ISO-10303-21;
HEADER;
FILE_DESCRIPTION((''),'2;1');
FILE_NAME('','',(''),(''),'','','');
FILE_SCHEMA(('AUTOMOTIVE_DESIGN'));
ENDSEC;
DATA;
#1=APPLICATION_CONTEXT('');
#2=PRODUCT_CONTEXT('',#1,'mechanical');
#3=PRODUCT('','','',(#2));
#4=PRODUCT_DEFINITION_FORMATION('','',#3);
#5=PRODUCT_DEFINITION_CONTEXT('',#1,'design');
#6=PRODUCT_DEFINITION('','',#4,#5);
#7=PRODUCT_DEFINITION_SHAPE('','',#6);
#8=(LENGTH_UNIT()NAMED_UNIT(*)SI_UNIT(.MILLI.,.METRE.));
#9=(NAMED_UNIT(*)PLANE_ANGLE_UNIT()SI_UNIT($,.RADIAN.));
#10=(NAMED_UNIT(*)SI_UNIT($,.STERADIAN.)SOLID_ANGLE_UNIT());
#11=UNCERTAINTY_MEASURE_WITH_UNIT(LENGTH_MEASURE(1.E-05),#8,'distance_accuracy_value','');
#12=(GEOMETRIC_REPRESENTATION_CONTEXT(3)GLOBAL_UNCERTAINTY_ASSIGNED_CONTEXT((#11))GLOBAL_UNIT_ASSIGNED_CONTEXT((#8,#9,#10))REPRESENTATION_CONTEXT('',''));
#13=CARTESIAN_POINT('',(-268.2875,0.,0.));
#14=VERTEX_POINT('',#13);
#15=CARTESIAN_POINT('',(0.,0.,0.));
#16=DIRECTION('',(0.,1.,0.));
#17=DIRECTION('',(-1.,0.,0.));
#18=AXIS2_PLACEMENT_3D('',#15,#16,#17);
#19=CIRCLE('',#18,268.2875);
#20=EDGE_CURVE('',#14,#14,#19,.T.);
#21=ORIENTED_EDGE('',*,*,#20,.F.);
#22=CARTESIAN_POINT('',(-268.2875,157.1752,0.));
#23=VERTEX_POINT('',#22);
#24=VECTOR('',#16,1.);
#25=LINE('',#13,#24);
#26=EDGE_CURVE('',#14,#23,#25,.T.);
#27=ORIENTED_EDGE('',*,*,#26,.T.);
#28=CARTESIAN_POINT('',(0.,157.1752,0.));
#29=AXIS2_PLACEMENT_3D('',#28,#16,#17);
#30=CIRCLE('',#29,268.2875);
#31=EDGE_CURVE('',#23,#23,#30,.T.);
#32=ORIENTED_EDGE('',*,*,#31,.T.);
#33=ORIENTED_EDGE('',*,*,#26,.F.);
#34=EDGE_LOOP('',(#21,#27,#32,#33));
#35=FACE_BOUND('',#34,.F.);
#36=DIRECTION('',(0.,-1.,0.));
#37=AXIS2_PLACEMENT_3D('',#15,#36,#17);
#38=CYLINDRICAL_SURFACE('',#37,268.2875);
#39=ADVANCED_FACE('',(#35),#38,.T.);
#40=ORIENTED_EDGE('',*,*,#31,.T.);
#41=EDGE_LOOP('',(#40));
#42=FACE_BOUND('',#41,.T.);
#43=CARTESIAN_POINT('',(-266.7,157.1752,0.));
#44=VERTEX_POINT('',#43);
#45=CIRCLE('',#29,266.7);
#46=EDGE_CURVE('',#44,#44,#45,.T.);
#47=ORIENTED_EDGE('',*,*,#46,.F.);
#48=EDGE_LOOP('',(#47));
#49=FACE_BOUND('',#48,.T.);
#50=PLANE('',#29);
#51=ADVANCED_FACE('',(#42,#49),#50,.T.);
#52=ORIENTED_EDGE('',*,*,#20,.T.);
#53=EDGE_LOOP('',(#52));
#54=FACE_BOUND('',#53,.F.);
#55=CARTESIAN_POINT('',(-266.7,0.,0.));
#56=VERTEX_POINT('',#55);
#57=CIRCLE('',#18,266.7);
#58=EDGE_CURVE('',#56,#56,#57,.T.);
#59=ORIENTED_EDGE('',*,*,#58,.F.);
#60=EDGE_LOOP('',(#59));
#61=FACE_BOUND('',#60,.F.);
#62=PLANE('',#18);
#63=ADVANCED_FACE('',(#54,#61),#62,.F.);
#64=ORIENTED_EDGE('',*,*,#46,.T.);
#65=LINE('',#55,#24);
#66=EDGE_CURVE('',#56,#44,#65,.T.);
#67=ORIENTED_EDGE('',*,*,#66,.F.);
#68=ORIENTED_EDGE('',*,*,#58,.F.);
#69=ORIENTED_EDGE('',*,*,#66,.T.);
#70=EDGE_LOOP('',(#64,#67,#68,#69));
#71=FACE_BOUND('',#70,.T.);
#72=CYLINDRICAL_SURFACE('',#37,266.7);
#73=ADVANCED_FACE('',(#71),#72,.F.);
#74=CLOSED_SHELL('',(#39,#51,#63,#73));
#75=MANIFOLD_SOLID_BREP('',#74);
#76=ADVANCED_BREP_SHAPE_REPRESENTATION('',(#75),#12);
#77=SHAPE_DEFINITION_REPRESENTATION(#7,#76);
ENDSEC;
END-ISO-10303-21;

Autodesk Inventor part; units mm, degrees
ref_plane "YZ Plane" through (0, 0, 0) normal (1, 0, 0) x (0, 1, 0)
ref_plane "XZ Plane" through (0, 0, 0) normal (0, 1, 0) x (-1, 0, 0)
ref_plane "XY Plane" through (0, 0, 0) normal (0, 0, 1) x (1, 0, 0)
sketch "Sketch1" plane through (0, 0, 0) normal (0, 1, 0) x (-1, 0, 0)
  circle A0 centre (0, 0) radius 266.7
  circle A1 centre (0, 0) radius 268.2875
  dimension "d1" = 1.5875
  dimension "d4" = 533.4
extrude "Extrusion1" add sketch "Sketch1" along normal blind 157.1752
properties part number "CAR_007_Walls"
